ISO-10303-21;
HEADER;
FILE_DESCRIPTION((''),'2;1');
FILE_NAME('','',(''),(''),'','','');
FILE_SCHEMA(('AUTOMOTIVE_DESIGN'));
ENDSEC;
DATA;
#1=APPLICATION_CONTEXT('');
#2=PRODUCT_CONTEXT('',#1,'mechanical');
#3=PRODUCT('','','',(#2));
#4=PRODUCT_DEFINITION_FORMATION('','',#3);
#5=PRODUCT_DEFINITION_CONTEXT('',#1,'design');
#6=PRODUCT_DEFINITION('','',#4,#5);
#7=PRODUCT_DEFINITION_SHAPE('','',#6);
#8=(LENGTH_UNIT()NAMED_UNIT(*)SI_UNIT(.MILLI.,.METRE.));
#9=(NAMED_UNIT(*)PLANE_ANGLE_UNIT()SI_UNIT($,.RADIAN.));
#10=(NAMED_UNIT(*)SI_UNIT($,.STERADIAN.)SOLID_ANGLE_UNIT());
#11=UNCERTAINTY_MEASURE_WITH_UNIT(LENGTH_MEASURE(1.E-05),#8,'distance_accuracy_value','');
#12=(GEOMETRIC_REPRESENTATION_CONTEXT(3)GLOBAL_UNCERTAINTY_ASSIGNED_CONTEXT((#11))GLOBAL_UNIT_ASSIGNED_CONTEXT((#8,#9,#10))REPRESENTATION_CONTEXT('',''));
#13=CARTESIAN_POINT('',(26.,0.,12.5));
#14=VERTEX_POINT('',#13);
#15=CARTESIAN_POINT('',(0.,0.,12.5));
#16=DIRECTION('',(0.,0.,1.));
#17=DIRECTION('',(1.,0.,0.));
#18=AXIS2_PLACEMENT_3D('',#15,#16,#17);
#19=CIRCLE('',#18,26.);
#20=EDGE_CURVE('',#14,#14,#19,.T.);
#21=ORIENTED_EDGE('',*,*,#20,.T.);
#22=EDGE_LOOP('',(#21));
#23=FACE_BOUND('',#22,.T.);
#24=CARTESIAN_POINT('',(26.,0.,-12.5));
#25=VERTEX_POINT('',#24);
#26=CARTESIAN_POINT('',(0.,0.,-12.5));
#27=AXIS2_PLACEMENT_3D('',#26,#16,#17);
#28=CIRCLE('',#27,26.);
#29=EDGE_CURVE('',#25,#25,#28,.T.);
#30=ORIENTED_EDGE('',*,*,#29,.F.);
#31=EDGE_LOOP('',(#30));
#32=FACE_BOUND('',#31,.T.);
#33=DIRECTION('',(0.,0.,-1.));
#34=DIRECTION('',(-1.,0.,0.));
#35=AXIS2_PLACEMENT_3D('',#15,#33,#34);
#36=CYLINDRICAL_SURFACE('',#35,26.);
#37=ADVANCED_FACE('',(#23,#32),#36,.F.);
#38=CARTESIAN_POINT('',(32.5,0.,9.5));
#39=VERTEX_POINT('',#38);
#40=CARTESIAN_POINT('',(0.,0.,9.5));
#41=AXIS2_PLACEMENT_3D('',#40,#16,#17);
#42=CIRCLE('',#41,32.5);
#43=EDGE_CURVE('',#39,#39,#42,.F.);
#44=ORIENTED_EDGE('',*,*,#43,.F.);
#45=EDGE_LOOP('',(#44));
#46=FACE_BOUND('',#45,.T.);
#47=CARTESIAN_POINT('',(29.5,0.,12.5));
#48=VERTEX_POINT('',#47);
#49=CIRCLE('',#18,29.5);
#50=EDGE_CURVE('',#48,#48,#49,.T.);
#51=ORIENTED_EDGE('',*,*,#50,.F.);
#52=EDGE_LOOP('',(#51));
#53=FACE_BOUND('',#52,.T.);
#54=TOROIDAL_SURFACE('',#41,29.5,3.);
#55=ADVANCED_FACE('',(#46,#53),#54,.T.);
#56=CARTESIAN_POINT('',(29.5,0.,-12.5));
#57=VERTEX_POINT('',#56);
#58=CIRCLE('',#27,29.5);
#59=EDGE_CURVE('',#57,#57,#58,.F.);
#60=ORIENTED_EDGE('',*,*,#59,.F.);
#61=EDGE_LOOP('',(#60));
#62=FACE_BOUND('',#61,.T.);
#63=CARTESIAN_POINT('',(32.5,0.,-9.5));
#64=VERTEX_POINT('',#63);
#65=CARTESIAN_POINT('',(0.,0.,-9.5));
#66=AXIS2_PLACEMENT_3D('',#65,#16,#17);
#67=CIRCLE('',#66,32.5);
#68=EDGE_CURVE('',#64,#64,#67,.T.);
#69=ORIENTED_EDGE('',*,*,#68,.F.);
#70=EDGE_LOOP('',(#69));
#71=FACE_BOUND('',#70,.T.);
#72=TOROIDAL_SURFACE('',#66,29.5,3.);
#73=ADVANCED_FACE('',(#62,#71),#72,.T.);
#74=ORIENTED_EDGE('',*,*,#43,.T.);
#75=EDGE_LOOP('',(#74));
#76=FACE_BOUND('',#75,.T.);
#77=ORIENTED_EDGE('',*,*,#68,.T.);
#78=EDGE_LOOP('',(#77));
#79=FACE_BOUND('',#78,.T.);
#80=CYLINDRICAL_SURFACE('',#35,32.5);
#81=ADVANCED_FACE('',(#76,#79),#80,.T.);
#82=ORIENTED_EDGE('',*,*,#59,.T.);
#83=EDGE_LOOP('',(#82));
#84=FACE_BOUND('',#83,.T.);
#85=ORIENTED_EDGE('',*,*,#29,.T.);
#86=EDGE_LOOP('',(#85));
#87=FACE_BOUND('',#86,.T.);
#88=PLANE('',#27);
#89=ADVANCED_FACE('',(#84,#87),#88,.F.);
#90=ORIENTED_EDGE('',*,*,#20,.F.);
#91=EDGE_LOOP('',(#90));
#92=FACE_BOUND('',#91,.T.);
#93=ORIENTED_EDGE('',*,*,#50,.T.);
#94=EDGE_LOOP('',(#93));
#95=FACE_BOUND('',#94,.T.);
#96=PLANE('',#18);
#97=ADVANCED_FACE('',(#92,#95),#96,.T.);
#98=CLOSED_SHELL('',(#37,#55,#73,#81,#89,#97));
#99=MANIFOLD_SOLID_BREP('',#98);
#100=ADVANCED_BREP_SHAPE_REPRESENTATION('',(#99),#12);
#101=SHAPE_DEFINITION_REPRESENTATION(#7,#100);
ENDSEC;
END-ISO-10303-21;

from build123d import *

# Parameters (mm, degrees)
SKETCH1_R           = 32.5
SKETCH1_R_2         = 26
BOSS_EXTRUDE1_DEPTH = 12.5
FILLET1_R           = 3


with BuildPart() as part:
    # Sketch1 → Boss-Extrude1 (new body, symmetric)
    with BuildSketch(Plane.XY):
        Circle(SKETCH1_R)
        Circle(SKETCH1_R_2, mode=Mode.SUBTRACT)
    extrude(amount=BOSS_EXTRUDE1_DEPTH, both=True)

    # Fillet1
    fillet1_edges = [part.edges().sort_by_distance(p)[0] for p in [
        (-32.5, 0, -12.5),
        (-32.5, 0, 12.5),
    ]]
    fillet(fillet1_edges, radius=FILLET1_R)


solid = part.part
